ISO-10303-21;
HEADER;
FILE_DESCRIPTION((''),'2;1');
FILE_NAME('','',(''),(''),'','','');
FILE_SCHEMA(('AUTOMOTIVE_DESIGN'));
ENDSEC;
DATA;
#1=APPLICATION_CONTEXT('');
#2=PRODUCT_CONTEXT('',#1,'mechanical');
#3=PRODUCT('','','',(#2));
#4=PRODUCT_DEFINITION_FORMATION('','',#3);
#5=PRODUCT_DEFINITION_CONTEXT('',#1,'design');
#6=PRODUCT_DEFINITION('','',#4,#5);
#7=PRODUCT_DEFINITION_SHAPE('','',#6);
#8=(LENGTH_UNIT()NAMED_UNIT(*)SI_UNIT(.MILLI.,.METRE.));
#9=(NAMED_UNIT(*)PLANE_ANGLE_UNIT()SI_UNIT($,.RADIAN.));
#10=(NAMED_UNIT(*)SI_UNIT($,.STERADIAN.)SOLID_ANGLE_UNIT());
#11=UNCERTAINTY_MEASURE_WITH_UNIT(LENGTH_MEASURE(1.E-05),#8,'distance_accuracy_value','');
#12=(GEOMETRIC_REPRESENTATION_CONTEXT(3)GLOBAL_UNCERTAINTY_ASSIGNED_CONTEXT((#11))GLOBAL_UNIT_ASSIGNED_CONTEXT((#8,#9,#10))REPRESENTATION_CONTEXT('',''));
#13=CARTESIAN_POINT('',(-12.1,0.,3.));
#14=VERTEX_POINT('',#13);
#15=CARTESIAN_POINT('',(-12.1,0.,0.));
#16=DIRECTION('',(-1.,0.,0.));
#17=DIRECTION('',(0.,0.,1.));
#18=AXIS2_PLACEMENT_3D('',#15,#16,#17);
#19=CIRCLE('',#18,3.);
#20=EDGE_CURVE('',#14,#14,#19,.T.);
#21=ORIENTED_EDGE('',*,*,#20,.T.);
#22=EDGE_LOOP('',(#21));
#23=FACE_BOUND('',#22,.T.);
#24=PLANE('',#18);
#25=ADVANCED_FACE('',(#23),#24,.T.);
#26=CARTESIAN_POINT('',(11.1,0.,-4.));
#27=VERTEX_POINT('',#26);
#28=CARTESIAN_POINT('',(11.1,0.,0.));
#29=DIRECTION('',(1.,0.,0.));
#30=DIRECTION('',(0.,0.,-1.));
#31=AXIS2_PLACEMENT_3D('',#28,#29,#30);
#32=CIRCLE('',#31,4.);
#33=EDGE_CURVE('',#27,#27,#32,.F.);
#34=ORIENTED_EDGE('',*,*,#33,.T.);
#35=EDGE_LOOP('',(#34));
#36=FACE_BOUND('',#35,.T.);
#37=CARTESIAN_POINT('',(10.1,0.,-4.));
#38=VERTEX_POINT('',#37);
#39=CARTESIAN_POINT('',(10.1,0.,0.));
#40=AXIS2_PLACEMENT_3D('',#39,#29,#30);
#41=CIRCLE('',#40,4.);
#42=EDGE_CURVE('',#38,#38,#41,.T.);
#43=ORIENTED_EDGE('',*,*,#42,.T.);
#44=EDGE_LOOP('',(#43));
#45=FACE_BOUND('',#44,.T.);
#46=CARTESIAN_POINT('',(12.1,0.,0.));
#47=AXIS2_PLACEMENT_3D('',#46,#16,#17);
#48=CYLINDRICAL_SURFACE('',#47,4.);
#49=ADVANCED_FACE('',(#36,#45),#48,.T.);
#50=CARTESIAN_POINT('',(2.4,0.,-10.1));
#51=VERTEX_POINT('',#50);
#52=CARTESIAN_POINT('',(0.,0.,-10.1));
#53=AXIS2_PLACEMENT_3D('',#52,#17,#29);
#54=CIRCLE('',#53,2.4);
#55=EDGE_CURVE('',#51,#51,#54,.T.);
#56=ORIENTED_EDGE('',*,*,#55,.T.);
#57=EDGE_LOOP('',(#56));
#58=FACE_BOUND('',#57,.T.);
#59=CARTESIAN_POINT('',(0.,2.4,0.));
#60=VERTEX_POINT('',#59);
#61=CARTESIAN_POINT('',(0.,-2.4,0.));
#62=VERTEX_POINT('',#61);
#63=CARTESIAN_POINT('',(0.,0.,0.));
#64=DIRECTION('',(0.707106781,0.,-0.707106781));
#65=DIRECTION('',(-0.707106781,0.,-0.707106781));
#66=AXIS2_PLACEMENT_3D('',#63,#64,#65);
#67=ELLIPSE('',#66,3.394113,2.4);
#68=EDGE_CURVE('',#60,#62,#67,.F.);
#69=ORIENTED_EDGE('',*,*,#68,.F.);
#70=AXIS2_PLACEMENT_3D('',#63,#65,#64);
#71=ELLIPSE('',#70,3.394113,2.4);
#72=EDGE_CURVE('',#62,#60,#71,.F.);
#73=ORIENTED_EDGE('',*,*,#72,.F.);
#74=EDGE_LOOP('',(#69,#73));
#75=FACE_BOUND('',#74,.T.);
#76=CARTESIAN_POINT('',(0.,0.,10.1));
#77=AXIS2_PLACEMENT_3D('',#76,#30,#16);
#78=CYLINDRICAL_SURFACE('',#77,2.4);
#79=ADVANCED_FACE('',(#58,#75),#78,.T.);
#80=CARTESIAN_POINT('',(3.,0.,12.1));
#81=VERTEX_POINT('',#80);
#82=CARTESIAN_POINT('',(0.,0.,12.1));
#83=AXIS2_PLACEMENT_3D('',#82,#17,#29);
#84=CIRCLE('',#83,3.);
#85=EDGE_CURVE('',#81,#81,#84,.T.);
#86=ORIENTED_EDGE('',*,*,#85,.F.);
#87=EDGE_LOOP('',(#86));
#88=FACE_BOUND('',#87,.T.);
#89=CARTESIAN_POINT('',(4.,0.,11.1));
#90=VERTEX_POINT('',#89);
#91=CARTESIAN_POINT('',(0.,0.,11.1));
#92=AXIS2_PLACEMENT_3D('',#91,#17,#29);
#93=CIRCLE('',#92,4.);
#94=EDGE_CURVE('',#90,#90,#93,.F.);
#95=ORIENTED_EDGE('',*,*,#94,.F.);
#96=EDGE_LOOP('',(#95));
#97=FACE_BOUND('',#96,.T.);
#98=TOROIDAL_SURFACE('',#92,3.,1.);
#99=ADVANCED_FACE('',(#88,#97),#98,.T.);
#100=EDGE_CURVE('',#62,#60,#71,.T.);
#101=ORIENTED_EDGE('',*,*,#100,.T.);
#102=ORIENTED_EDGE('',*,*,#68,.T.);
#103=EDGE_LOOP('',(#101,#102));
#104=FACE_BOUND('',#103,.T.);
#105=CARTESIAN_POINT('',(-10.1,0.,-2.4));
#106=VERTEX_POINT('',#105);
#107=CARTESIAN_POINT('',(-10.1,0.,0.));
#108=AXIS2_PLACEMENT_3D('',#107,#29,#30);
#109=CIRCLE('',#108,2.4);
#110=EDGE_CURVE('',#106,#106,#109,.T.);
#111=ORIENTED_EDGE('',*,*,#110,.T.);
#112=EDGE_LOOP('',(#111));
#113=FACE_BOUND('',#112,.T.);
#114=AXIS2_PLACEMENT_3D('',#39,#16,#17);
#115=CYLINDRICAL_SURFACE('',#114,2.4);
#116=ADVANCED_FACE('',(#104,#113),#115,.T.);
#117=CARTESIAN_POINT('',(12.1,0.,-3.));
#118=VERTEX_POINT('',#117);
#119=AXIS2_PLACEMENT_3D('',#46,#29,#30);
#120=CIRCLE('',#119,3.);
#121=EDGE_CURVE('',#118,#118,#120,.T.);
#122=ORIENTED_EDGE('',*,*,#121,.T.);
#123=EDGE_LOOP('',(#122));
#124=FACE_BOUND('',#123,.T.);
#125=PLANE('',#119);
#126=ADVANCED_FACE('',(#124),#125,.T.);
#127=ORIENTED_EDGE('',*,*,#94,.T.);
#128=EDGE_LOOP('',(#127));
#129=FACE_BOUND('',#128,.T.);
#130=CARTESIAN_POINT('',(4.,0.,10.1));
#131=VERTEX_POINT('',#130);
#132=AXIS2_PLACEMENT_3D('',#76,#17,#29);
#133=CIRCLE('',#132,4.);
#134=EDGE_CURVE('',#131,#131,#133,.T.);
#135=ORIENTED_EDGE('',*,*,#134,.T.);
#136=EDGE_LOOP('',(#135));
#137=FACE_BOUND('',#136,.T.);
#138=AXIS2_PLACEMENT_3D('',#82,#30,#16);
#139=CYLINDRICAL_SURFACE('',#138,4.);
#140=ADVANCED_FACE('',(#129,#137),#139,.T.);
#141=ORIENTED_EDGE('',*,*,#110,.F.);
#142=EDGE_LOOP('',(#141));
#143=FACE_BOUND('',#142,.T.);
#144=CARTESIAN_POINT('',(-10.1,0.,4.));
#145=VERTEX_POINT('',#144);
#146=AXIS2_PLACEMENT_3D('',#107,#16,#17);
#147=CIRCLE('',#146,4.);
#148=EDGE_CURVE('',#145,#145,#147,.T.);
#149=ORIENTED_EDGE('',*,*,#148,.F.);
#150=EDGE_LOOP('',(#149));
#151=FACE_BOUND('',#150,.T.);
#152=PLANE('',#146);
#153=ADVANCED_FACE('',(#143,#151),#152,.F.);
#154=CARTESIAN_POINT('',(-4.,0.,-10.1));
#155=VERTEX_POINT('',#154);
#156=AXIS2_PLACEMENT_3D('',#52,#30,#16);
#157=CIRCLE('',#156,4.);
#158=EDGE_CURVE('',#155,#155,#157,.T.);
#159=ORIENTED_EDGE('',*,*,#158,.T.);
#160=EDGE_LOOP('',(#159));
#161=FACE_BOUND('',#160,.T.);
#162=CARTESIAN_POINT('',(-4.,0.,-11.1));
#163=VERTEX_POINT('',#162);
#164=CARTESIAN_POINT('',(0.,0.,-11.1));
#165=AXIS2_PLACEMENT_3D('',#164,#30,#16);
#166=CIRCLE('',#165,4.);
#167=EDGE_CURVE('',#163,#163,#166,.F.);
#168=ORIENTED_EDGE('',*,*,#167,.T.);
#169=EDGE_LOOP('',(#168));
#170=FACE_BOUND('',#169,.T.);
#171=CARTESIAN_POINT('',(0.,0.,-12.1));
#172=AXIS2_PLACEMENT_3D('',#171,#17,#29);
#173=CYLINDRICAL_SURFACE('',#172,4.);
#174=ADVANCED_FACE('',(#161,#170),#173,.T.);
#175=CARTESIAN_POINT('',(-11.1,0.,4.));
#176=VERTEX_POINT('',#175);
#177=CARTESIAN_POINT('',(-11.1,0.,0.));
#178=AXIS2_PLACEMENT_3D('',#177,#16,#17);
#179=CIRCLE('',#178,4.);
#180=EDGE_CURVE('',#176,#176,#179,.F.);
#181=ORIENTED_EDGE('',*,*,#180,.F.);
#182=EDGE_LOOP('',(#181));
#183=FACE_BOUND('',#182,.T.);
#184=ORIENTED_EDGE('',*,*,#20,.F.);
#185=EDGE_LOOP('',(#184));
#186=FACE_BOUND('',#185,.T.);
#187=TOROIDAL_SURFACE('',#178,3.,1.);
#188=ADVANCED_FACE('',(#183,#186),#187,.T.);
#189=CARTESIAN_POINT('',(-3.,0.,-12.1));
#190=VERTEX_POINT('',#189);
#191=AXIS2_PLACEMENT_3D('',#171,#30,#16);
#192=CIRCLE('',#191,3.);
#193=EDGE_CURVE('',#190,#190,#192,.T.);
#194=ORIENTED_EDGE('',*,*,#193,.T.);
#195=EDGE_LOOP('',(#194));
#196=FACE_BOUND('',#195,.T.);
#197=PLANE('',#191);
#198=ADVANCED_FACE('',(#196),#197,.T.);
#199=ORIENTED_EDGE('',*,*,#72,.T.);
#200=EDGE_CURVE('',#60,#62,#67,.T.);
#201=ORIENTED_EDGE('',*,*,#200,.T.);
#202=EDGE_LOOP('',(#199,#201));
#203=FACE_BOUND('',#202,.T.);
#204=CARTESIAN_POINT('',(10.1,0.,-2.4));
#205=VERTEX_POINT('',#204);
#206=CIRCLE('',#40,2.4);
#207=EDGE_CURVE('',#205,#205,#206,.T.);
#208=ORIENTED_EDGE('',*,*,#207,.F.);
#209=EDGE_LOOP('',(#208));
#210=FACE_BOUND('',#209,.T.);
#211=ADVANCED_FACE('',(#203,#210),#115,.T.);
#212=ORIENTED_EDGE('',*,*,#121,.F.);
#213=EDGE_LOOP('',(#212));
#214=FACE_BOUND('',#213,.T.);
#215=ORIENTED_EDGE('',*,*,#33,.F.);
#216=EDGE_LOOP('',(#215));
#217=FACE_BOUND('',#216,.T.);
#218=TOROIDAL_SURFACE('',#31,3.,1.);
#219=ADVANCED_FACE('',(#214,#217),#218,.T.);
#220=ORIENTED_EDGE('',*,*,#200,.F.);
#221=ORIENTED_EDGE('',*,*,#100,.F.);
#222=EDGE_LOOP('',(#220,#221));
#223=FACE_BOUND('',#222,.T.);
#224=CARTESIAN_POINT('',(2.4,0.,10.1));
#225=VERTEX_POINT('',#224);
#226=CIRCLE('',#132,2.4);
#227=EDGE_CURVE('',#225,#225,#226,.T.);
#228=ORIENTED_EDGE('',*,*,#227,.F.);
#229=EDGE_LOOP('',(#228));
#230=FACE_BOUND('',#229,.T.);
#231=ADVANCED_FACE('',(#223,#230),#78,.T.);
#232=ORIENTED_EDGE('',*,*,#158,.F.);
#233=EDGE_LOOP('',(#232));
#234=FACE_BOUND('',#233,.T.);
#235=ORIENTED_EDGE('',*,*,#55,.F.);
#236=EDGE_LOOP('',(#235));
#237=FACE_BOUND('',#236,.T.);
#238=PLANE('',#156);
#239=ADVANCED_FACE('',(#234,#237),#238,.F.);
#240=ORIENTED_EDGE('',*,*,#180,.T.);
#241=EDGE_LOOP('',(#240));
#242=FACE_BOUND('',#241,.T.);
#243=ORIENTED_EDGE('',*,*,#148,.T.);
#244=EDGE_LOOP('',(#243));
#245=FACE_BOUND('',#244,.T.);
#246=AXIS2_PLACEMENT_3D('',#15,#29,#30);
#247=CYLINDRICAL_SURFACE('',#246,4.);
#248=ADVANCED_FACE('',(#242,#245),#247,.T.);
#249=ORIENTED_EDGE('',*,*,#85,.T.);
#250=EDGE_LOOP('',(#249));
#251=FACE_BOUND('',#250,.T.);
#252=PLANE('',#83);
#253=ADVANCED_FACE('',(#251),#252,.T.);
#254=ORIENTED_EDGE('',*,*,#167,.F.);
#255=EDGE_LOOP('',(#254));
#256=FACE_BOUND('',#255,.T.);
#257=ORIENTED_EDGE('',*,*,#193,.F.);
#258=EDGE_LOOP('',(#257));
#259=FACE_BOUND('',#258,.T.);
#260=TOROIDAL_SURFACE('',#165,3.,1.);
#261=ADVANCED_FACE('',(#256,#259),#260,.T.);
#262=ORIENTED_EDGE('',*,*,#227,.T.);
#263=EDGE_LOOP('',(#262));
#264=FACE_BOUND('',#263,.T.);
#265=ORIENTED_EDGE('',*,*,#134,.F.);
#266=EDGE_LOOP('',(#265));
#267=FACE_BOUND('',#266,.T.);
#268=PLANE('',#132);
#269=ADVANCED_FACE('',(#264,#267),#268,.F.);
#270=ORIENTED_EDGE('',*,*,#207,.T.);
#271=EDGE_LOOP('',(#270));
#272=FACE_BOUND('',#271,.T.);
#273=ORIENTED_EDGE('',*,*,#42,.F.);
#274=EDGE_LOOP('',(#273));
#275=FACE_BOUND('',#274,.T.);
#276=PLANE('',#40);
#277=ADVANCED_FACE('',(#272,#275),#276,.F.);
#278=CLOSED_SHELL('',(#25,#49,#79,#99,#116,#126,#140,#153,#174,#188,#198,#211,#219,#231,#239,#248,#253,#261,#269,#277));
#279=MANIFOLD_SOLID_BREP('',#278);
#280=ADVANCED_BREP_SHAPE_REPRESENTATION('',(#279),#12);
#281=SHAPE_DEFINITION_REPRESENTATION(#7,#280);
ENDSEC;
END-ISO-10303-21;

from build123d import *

# Parameters (mm, degrees)
ESQUISSE1_R        = 2.4
BOSS_EXTRU_1_DEPTH = 10.1
ESQUISSE3_R        = 2.4
BOSS_EXTRU_2_DEPTH = 10.1
ESQUISSE4_R        = 4
BOSS_EXTRU_3_DEPTH = 2
ESQUISSE5_R        = 4
BOSS_EXTRU_4_DEPTH = 2
ESQUISSE6_R        = 4
BOSS_EXTRU_5_DEPTH = 2
ESQUISSE7_R        = 4
BOSS_EXTRU_6_DEPTH = 2
CONG_1_R           = 1


with BuildPart() as part:
    # Esquisse1 → Boss.-Extru.1 (new body, symmetric)
    with BuildSketch(Plane.XY):
        Circle(ESQUISSE1_R)
    extrude(amount=BOSS_EXTRU_1_DEPTH, both=True)

    # Esquisse3 → Boss.-Extru.2 (add, symmetric)
    with BuildSketch(Plane(origin=(0, 0, 0), x_dir=(0, 0, -1), z_dir=(1, 0, 0))):
        with Locations(Location((0, 0, 0), (0, 0, 270))):  # turned: the seam where the file's is
            Circle(ESQUISSE3_R)
    extrude(amount=BOSS_EXTRU_2_DEPTH, both=True)

    # Esquisse4 → Boss.-Extru.3 (add)
    with BuildSketch(Plane(origin=(10.1, 0, 0), x_dir=(0, 0, -1), z_dir=(1, 0, 0))):
        Circle(ESQUISSE4_R)
    extrude(amount=BOSS_EXTRU_3_DEPTH)

    # Esquisse5 → Boss.-Extru.4 (add)
    with BuildSketch(Plane.ZY.offset(10.1)):
        with Locations(Location((0, 0, 0), (0, 0, 180))):  # turned: the seam where the file's is
            Circle(ESQUISSE5_R)
    extrude(amount=BOSS_EXTRU_4_DEPTH)

    # Esquisse6 → Boss.-Extru.5 (add)
    with BuildSketch(Plane.XY.offset(10.1)):
        Circle(ESQUISSE6_R)
    extrude(amount=BOSS_EXTRU_5_DEPTH)

    # Esquisse7 → Boss.-Extru.6 (add)
    with BuildSketch(Plane(origin=(0, 0, -10.1), x_dir=(-1, 0, 0), z_dir=(0, 0, -1))):
        with Locations(Location((0, 0, 0), (0, 0, 180))):  # turned: the seam where the file's is
            Circle(ESQUISSE7_R)
    extrude(amount=BOSS_EXTRU_6_DEPTH)

    # Congé1
    cong_1_edges = [part.edges().sort_by_distance(p)[0] for p in [
        (12.1, 0, 4),
        (-12.1, 0, 4),
        (-4, 0, 12.1),
        (-4, 0, -12.1),
    ]]
    fillet(cong_1_edges, radius=CONG_1_R)


solid = part.part
